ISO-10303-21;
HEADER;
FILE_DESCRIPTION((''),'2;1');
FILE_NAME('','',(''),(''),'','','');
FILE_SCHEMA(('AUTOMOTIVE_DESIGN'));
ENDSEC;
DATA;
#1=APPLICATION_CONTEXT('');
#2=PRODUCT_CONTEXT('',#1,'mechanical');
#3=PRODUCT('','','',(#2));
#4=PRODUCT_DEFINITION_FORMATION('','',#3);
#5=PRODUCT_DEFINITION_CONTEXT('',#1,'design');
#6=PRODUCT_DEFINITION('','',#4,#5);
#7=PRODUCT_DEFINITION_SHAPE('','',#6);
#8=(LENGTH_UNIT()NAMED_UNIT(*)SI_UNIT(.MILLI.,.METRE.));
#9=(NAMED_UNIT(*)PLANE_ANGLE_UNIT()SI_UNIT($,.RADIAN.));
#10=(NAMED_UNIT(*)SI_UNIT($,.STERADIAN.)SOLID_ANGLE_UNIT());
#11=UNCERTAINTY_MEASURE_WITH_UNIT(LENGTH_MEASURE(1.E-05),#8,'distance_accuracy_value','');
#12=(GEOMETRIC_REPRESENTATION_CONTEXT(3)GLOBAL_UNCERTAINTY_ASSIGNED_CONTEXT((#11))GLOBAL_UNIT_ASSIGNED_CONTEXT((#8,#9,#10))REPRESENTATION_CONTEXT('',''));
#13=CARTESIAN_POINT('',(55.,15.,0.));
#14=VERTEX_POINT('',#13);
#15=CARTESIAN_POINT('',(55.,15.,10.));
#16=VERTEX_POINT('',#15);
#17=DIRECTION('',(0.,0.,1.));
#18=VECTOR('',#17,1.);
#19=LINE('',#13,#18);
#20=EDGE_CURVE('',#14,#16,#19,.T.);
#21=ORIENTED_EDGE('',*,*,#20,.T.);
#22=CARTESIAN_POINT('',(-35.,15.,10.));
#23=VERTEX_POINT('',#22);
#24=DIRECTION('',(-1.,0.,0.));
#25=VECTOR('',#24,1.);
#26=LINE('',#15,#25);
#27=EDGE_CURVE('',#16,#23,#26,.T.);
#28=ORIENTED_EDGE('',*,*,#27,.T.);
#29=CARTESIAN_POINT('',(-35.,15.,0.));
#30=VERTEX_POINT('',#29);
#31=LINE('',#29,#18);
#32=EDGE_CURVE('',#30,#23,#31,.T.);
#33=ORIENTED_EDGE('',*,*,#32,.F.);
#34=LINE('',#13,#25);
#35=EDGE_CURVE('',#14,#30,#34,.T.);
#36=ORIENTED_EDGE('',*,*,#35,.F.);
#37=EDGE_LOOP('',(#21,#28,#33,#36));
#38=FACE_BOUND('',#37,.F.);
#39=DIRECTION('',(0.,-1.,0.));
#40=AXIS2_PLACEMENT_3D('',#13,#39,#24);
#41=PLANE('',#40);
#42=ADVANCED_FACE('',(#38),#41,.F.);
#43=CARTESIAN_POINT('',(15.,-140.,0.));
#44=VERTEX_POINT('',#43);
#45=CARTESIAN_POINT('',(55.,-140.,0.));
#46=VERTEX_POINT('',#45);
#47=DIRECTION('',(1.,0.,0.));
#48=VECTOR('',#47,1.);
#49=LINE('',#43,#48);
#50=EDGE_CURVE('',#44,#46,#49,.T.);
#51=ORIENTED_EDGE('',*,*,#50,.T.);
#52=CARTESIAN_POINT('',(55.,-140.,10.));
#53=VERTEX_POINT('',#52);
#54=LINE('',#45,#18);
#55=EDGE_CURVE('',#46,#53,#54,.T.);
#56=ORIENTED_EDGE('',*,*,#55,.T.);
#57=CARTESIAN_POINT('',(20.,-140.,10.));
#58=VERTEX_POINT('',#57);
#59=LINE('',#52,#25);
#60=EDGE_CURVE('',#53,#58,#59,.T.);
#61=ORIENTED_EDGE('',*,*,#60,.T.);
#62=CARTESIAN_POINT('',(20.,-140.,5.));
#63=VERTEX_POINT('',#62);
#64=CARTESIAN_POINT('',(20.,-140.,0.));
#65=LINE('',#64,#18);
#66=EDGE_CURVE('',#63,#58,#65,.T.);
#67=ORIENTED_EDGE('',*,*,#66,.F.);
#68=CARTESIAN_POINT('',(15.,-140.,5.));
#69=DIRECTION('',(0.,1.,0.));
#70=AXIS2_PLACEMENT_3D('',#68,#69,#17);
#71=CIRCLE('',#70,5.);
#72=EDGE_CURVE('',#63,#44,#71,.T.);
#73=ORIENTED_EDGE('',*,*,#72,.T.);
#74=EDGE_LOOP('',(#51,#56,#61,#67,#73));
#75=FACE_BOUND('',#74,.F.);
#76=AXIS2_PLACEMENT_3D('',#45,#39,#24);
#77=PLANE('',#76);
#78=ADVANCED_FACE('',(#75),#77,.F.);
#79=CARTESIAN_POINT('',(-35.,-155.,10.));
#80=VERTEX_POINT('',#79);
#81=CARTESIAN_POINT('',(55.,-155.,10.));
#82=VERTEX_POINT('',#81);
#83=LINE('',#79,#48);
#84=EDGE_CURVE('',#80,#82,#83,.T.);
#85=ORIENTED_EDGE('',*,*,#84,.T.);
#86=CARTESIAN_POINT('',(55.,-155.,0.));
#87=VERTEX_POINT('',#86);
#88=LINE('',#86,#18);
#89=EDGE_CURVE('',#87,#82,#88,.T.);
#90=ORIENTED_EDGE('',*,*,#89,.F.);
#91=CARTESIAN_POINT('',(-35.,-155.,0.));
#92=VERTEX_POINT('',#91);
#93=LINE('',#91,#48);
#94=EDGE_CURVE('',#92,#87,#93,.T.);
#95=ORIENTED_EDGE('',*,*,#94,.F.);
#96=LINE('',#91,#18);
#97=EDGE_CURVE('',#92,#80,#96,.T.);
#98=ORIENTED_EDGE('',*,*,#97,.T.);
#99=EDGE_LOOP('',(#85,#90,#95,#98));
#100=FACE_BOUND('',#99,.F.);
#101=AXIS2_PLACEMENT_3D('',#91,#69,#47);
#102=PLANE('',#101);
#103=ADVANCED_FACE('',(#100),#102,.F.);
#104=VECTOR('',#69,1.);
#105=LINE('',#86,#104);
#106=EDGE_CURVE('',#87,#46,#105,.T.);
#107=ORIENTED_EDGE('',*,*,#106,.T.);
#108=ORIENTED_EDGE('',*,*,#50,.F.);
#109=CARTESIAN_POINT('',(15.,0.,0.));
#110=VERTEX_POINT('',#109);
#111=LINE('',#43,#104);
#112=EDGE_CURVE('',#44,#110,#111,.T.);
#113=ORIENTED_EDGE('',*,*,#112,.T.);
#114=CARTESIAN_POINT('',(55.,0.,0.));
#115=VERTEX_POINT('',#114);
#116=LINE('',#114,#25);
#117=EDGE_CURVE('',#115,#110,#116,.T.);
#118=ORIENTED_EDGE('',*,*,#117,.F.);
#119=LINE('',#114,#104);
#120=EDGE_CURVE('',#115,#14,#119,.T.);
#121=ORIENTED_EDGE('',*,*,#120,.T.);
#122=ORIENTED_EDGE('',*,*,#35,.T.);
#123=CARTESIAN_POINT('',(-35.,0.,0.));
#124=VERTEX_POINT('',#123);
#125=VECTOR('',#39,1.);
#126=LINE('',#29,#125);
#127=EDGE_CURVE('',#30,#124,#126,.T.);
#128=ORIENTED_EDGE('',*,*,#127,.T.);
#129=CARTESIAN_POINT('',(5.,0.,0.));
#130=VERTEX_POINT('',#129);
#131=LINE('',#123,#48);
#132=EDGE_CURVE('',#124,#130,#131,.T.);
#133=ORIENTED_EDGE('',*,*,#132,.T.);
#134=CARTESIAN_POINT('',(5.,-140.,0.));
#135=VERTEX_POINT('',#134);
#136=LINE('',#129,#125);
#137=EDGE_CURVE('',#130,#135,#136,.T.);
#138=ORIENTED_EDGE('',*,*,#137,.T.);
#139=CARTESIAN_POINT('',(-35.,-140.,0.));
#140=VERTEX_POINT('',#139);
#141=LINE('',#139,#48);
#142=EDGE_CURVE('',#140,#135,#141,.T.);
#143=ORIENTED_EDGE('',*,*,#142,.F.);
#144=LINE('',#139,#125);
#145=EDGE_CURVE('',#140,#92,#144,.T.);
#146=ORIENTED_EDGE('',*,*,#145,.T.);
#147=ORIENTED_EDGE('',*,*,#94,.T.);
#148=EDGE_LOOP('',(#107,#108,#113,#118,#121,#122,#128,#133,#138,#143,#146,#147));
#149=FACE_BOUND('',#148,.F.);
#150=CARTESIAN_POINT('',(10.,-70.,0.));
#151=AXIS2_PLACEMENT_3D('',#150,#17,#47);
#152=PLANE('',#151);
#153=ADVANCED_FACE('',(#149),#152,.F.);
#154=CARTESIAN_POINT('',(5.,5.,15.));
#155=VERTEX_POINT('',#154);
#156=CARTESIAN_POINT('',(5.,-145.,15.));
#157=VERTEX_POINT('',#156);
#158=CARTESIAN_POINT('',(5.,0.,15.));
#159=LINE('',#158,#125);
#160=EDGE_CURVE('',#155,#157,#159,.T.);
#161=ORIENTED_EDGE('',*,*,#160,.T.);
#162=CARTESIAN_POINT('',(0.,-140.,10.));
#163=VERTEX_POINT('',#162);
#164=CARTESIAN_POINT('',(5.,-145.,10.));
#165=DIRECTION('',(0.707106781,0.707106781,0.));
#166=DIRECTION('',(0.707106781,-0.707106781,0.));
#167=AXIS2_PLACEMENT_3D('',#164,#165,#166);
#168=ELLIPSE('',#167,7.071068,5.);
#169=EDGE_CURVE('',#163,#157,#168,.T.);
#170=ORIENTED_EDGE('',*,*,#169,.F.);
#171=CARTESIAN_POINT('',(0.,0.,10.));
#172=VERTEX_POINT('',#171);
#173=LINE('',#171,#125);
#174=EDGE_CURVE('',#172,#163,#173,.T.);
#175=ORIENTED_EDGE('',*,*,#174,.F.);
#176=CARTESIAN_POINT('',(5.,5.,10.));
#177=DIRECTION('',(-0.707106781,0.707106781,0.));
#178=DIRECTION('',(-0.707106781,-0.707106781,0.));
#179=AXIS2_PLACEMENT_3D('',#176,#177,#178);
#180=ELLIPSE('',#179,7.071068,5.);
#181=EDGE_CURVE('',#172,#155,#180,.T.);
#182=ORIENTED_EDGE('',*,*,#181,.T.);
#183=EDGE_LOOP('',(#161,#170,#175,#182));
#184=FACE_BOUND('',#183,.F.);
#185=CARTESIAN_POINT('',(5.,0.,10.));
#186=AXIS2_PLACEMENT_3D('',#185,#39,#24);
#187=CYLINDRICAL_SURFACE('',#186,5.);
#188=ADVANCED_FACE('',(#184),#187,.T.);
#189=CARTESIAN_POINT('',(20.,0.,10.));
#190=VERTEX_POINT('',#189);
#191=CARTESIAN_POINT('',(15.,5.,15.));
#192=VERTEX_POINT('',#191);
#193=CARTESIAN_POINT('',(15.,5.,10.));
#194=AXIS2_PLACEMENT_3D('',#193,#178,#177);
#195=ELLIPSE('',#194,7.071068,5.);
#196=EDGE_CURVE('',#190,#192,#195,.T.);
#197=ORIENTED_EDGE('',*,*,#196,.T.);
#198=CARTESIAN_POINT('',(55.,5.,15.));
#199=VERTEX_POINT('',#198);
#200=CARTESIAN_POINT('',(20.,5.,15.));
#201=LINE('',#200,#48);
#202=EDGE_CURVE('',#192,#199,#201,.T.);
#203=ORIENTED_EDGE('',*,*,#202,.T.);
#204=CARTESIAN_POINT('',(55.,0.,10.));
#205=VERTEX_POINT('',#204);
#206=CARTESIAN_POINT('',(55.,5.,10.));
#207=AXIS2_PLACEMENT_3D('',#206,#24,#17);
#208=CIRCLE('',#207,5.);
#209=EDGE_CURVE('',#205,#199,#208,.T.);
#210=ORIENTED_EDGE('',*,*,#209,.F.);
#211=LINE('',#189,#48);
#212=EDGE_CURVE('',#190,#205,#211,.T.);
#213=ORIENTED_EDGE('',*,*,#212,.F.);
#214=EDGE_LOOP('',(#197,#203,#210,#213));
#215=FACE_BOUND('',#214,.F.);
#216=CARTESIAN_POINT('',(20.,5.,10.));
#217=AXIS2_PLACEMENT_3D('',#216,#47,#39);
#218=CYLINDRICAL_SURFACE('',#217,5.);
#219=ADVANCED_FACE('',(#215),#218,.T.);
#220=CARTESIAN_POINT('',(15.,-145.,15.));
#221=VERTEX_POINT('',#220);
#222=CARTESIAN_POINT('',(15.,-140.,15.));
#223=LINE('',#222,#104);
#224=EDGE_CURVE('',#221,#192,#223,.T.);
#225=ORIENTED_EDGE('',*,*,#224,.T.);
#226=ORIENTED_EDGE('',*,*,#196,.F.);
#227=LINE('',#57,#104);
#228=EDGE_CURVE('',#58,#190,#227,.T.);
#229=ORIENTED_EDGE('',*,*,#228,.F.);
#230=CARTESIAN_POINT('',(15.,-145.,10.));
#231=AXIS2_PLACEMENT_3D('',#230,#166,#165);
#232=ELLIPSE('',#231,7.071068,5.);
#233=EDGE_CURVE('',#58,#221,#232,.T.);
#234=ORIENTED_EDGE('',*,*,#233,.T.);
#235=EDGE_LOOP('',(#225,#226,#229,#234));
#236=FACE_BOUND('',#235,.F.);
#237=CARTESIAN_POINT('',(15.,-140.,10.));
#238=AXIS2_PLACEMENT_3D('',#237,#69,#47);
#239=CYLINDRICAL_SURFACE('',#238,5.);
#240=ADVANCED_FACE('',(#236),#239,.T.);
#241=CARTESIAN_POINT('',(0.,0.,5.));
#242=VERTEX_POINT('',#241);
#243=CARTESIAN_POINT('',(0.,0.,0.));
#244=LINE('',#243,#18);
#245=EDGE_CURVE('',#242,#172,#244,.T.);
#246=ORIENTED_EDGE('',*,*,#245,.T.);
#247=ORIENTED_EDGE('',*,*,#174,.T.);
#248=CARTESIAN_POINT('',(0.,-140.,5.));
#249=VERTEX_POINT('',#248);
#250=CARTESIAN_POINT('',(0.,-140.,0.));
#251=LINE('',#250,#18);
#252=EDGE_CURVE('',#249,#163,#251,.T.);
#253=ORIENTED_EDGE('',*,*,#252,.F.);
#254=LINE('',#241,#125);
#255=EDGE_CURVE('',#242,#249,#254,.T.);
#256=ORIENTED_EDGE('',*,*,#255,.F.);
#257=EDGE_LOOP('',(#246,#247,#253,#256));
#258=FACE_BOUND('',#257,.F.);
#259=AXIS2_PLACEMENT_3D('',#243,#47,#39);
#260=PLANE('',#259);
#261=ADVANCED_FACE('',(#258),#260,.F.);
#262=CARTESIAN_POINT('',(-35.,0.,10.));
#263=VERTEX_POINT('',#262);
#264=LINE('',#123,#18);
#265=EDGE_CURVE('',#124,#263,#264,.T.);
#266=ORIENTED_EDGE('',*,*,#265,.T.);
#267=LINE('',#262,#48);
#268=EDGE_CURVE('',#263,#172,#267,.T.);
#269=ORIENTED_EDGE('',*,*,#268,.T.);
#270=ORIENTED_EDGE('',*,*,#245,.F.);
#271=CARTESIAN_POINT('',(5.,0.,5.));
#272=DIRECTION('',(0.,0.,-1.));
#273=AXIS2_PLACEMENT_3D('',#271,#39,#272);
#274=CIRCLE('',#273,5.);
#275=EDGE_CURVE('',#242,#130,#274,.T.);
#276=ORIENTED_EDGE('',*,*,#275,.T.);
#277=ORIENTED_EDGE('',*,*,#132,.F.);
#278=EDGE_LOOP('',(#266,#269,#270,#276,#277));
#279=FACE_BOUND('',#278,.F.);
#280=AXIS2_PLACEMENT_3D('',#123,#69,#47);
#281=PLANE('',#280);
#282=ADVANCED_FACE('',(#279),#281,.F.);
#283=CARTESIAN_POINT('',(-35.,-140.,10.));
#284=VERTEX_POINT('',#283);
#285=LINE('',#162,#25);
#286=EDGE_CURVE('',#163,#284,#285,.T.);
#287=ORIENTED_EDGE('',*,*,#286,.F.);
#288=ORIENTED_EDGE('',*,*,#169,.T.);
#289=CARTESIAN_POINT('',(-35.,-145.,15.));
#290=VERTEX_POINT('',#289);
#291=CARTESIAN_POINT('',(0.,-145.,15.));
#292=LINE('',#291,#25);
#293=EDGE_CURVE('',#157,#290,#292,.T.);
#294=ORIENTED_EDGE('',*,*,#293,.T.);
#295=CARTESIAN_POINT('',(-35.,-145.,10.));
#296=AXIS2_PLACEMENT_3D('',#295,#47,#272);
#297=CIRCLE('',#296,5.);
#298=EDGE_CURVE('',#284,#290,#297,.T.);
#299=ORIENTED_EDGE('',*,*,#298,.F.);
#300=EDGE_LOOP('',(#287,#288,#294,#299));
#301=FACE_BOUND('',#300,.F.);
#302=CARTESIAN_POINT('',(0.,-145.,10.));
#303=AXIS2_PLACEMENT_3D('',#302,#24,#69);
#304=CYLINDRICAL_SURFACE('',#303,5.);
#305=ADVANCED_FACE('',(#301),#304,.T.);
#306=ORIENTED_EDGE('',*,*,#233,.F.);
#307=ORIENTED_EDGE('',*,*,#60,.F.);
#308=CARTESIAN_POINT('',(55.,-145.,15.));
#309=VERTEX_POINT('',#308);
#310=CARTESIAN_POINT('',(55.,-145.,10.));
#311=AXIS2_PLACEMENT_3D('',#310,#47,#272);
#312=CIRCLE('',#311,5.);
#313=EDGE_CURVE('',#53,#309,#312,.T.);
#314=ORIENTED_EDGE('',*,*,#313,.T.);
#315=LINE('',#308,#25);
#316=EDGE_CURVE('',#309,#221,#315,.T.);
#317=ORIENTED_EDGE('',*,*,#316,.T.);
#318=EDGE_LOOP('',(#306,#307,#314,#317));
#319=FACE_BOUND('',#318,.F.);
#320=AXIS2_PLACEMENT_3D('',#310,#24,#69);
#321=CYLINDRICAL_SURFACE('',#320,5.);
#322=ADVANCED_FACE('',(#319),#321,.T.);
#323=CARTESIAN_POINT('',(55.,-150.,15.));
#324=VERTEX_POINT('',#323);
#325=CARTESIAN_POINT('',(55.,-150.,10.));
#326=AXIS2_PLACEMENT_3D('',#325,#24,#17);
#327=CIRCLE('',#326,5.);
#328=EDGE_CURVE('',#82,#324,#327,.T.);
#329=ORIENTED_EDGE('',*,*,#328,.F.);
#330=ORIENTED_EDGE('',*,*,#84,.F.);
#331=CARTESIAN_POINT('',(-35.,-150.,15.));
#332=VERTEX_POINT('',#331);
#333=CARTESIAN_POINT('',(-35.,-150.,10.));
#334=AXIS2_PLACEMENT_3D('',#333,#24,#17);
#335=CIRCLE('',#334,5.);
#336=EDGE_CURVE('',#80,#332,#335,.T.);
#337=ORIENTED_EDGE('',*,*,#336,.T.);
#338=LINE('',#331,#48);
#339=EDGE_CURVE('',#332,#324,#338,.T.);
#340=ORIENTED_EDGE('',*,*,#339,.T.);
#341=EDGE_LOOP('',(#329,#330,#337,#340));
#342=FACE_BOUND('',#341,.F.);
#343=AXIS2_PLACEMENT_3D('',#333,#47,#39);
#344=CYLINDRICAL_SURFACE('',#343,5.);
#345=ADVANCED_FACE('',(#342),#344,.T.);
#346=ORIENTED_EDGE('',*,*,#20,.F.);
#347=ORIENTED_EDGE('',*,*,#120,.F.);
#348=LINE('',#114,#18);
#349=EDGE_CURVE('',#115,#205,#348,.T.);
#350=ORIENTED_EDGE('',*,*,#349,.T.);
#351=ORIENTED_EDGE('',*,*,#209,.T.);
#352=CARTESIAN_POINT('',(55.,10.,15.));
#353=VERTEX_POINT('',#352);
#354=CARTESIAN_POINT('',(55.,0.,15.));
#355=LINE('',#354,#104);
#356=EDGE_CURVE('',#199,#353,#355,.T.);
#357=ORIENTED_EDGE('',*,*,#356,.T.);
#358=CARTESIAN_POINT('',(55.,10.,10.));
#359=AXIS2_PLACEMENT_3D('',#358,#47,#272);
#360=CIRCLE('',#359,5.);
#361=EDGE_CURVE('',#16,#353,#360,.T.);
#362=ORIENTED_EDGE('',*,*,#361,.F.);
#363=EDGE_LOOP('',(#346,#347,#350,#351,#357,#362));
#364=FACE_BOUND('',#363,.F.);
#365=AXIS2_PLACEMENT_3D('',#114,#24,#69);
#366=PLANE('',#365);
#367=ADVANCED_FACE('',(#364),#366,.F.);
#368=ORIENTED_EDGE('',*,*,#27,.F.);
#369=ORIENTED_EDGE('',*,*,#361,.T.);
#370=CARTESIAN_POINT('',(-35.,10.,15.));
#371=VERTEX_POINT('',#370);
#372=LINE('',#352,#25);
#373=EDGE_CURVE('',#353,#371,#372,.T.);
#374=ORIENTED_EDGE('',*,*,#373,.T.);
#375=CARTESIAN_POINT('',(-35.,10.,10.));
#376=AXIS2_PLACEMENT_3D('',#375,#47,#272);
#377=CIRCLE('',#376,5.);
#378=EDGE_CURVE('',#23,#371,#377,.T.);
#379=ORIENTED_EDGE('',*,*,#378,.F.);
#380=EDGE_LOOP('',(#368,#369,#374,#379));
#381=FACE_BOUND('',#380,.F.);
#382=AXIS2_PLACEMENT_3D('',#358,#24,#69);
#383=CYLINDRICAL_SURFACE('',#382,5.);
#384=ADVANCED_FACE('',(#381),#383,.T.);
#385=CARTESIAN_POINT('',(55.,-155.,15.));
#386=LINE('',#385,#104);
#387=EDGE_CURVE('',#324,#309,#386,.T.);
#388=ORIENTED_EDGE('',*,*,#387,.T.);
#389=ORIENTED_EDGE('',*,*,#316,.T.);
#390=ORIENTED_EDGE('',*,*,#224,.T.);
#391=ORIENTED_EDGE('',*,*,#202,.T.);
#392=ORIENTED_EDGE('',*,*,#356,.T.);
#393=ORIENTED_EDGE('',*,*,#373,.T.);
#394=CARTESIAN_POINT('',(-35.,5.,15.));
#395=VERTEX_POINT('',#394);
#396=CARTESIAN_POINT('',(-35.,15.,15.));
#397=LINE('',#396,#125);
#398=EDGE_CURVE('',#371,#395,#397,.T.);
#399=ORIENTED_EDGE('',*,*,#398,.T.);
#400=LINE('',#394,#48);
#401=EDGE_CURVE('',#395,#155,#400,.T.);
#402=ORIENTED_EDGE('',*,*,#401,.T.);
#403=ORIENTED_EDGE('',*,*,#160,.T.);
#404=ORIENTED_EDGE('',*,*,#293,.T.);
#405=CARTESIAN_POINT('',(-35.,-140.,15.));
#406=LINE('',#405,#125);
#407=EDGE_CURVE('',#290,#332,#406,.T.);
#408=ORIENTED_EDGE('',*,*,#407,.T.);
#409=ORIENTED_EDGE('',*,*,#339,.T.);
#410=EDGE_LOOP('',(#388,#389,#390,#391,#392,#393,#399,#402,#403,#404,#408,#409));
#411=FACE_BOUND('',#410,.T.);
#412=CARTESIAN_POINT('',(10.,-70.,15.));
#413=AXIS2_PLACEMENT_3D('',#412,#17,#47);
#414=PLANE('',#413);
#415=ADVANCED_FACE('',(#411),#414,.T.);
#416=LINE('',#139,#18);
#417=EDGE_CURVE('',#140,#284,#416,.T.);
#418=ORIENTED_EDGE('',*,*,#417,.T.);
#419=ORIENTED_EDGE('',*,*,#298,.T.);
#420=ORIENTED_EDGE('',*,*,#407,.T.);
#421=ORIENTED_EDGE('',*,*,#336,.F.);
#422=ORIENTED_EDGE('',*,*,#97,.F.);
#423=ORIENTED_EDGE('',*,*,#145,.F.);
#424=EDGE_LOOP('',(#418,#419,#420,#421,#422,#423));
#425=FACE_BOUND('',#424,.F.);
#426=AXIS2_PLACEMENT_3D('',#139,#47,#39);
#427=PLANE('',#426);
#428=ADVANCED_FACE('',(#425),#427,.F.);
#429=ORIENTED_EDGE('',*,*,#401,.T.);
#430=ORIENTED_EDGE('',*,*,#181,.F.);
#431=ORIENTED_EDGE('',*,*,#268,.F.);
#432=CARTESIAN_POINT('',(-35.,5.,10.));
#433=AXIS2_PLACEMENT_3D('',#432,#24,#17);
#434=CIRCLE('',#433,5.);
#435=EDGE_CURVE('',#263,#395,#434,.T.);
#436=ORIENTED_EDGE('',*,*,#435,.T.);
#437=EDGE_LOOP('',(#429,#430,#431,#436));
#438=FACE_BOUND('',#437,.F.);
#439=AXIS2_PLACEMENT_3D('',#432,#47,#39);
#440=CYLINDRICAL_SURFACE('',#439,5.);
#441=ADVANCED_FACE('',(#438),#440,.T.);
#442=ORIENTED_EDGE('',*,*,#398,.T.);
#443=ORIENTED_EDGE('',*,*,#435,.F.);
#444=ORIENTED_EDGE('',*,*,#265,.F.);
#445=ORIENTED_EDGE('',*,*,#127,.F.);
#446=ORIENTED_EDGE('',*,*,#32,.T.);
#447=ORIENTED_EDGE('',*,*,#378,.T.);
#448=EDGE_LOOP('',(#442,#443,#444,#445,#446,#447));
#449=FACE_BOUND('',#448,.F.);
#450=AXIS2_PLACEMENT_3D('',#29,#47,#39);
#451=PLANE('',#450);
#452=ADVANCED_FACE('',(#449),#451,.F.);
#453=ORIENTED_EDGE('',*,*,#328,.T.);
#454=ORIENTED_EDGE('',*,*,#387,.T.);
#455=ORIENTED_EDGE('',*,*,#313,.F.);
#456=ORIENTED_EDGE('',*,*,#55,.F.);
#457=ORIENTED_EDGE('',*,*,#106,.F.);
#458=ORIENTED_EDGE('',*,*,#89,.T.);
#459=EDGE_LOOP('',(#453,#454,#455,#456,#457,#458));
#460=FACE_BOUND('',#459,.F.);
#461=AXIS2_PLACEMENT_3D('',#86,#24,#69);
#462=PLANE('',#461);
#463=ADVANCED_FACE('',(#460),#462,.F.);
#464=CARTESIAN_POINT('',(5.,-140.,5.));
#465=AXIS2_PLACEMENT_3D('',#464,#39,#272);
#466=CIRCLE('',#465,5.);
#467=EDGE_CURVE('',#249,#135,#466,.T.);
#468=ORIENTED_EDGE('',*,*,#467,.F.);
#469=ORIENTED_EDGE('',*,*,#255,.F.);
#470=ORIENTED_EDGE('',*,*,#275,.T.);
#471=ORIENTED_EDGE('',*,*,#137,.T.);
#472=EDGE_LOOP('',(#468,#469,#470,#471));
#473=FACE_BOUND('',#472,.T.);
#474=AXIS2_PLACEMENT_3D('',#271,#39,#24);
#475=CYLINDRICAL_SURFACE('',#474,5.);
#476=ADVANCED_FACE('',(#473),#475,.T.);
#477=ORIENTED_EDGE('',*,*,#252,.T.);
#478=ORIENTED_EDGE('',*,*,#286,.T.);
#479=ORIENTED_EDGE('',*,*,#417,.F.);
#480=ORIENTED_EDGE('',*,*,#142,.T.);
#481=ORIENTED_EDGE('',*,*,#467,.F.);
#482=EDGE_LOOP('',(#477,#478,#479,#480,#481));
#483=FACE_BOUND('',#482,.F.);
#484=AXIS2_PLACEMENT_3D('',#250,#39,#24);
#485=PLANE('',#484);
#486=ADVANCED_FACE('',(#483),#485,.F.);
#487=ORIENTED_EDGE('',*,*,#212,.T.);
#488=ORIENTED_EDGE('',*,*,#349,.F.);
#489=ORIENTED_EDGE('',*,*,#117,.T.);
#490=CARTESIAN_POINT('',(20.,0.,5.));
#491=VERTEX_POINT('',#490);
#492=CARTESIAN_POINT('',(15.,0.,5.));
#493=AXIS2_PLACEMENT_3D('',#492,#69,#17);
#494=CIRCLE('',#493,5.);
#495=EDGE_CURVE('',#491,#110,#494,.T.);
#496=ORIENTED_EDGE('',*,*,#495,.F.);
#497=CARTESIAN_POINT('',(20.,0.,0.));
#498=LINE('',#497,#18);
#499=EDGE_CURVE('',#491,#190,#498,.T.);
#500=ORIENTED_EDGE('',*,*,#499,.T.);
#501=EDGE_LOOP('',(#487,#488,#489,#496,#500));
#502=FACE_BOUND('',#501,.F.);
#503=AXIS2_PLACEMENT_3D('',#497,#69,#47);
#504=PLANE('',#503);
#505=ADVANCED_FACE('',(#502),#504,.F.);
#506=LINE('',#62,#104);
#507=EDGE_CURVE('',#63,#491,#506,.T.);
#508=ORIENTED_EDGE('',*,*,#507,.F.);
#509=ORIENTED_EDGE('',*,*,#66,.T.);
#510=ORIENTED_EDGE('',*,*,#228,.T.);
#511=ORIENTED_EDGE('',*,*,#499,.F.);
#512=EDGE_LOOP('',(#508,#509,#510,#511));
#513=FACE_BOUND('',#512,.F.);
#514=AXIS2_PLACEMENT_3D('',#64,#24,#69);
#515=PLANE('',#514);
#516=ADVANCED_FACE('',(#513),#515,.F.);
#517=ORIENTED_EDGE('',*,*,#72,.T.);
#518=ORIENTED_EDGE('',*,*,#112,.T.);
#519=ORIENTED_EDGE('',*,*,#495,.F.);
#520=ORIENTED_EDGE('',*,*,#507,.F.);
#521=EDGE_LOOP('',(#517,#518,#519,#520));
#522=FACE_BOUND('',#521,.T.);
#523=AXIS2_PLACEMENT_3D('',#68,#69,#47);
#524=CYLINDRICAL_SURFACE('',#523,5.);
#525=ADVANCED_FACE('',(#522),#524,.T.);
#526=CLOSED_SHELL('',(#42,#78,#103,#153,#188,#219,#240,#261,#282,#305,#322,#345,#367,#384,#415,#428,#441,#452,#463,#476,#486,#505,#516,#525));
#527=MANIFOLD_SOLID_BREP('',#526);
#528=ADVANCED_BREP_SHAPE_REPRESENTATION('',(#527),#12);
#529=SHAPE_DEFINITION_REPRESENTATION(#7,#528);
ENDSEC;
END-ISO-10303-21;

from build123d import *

# Parameters (mm, degrees)
F1_DEPTH = 15
F2_R     = 5


with BuildPart() as f1:
    # F0 (on Top) → F1 (new body)
    with BuildSketch(Plane.XY):
        Polygon((-35, 0), (0, 0), (0, -140), (-35, -140), (-35, -155), (55, -155), (55, -140), (20, -140), (20, 0), (55, 0), (55, 15), (-35, 15), align=None)
    extrude(amount=F1_DEPTH)

    # F2
    f2_edges = [f1.edges().sort_by_distance(p)[0] for p in [
        (10, 15, 15),
        (10, -155, 15),
        (0, -70, 15),
        (20, -70, 15),
        (0, -70, 0),
        (20, -70, 0),
        (-17.5, 0, 15),
        (37.5, 0, 15),
        (-17.5, -140, 15),
        (37.5, -140, 15),
    ]]
    fillet(f2_edges, radius=F2_R)


solid = f1.part
